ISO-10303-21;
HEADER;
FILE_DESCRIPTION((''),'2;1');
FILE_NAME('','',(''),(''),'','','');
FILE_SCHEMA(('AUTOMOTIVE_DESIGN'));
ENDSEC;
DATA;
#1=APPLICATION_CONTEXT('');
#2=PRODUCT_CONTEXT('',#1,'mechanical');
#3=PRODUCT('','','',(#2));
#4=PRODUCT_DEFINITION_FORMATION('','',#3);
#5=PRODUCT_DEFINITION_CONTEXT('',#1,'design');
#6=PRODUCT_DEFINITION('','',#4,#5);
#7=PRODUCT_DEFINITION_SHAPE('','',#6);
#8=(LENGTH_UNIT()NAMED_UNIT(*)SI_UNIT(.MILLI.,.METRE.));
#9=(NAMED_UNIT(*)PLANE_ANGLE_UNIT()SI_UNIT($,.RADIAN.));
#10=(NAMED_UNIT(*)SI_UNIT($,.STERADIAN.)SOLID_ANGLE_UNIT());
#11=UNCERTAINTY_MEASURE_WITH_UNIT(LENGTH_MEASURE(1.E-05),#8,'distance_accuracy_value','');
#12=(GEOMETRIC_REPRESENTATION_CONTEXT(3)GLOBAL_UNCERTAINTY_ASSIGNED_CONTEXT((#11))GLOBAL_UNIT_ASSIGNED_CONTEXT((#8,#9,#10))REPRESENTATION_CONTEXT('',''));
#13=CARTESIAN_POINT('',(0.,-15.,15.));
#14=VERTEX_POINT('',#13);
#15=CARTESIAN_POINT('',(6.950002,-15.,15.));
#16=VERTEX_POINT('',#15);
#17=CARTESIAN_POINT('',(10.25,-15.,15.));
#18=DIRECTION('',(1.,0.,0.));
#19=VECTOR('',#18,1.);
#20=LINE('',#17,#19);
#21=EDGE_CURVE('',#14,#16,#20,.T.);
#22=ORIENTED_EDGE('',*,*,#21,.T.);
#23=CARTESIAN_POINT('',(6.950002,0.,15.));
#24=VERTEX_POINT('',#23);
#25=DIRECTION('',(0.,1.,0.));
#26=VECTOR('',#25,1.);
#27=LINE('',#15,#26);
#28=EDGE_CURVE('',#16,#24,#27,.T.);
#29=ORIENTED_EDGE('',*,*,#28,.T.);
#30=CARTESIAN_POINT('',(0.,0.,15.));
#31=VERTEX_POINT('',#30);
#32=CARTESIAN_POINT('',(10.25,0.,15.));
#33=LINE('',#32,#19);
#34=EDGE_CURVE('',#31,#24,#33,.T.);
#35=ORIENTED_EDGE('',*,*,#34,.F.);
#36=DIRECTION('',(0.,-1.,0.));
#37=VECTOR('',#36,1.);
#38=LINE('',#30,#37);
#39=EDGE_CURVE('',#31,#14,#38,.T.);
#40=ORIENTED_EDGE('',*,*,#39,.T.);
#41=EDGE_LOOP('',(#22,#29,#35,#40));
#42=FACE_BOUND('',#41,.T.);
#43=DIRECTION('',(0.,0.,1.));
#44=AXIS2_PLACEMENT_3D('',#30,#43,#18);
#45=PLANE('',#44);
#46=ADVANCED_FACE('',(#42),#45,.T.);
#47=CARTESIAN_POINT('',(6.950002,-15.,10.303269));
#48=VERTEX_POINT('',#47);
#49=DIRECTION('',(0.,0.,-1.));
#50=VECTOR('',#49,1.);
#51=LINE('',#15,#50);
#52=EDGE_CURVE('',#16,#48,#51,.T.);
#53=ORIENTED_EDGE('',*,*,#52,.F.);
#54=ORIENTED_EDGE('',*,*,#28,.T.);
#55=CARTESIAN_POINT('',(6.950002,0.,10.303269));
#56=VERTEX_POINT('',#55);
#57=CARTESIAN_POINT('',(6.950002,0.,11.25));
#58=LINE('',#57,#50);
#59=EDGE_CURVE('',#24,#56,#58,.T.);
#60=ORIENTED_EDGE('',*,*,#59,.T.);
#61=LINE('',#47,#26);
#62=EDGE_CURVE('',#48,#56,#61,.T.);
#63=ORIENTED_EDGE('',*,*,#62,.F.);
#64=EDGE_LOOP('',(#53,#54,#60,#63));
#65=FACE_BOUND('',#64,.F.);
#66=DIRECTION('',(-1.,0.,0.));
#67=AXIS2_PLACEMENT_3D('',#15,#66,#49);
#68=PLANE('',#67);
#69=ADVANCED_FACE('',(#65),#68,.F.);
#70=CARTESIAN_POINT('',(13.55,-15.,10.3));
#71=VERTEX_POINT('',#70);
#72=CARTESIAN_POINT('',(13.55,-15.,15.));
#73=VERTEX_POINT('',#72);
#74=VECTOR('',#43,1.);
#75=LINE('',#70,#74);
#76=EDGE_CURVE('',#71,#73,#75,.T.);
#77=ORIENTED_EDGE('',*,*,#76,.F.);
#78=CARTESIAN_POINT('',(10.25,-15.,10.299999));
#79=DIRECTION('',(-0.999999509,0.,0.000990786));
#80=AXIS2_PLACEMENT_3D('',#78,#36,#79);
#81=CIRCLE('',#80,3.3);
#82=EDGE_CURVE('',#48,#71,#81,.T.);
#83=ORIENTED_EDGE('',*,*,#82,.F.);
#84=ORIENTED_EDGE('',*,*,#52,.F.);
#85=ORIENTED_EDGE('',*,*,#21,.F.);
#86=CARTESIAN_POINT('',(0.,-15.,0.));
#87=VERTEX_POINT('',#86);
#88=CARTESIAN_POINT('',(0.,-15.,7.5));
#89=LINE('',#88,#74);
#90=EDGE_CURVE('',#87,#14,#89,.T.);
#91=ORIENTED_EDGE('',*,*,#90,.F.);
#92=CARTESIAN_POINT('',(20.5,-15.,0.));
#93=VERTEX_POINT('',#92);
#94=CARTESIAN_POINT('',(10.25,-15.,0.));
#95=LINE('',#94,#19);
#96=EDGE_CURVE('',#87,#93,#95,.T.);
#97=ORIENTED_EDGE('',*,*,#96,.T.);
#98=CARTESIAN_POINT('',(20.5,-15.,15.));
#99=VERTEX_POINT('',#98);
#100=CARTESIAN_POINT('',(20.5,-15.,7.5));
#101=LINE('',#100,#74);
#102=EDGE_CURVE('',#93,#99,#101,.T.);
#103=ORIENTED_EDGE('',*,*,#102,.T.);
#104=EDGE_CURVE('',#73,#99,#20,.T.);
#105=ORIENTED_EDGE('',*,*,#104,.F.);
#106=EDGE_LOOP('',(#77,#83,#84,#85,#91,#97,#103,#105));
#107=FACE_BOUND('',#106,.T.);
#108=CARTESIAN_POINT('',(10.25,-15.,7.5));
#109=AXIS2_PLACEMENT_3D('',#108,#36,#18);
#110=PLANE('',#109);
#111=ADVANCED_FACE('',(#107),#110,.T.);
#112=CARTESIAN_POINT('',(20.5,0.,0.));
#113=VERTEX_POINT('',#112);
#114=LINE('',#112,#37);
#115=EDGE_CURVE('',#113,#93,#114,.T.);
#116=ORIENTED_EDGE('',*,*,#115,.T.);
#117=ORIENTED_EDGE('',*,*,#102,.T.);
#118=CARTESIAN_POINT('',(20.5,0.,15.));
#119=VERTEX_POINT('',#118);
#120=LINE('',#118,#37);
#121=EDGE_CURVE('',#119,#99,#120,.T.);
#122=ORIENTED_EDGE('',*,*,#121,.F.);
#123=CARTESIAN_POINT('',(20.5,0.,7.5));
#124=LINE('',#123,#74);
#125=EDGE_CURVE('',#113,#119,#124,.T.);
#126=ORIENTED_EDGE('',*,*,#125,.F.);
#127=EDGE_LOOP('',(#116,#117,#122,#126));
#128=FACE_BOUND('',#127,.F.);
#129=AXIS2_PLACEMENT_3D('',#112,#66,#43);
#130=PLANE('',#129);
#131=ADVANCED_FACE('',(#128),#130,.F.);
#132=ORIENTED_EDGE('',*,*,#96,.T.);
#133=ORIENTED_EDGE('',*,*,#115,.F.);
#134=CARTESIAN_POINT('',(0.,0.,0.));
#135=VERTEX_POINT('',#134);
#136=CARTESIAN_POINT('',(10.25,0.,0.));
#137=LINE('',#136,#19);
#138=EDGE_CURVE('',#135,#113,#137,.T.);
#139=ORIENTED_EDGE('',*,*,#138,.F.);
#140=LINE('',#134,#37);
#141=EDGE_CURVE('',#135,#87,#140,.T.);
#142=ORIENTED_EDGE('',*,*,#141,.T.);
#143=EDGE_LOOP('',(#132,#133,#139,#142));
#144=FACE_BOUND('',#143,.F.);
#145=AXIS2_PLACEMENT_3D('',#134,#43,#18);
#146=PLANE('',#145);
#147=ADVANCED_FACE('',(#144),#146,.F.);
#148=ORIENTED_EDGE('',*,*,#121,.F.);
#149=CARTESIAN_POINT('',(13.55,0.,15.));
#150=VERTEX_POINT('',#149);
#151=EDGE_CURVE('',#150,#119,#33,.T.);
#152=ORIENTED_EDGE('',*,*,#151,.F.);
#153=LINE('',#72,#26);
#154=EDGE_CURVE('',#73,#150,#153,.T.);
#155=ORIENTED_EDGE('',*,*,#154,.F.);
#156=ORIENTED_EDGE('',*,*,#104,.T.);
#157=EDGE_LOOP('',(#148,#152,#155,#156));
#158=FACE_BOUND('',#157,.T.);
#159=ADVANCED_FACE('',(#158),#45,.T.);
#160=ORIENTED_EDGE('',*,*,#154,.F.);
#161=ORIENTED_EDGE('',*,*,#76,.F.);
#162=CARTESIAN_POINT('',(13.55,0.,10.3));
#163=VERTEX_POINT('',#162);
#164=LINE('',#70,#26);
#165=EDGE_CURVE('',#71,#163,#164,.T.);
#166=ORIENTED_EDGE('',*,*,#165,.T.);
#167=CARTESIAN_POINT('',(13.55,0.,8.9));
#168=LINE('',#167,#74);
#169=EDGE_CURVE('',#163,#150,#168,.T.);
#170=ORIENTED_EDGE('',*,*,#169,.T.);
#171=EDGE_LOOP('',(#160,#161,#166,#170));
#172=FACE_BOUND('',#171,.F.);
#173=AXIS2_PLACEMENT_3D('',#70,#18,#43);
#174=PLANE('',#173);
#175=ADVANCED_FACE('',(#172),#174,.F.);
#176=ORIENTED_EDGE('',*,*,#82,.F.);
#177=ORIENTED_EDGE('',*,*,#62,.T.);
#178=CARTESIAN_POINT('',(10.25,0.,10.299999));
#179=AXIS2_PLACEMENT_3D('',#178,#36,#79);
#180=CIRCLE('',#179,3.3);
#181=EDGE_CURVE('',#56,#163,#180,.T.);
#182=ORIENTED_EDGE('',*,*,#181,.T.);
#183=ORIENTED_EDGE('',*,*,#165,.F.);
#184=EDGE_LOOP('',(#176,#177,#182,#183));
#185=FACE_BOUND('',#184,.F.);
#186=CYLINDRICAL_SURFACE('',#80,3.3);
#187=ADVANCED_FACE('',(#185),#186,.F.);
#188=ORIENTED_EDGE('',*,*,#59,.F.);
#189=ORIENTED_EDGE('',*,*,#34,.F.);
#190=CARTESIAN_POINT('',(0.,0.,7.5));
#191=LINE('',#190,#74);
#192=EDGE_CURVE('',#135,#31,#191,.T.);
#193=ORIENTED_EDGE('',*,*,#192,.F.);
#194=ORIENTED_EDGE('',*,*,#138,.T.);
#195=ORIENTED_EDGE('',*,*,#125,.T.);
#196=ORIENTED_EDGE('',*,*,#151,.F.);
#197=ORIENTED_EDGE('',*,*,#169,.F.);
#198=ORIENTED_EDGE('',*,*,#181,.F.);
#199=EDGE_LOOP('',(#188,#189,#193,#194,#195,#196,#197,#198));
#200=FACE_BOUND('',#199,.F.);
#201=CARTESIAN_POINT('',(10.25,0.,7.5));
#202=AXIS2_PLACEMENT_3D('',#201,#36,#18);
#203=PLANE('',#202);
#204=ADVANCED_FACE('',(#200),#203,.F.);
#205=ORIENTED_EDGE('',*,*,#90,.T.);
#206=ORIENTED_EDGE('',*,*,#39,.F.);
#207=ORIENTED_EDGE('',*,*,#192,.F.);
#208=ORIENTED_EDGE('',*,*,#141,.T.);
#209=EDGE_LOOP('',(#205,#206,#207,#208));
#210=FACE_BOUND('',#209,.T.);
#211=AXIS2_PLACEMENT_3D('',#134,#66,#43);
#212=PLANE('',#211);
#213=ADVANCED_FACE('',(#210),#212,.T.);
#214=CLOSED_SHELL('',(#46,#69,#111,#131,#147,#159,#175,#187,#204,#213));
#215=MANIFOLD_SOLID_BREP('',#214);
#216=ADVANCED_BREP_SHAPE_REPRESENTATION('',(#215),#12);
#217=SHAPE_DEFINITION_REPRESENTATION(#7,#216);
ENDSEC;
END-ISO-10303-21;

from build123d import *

# Parameters (mm, degrees)
F0_W     = 20.5
F0_H     = 15
F1_DEPTH = 15
F3_DEPTH = 15.001


with BuildPart() as f1:
    # F0 (on Front) → F1 (new body)
    with BuildSketch(Plane.XZ):
        with Locations((10.25, 7.5)):
            Rectangle(F0_W, F0_H)
    extrude(amount=F1_DEPTH)

    # F2 (on face) → F3 (cut, through all)
    with BuildSketch(Plane.XZ.offset(15)):
        with BuildLine():
            ThreePointArc((6.950002, 10.303269), (10.248365, 7), (13.55, 10.3))
            ThreePointArc((13.55, 10.3), (10.251635, 13.6), (6.950002, 10.303269))
        make_face()
        with BuildLine():
            ThreePointArc((6.950002, 10.303269), (10.251635, 13.6), (13.55, 10.3))
            Line((13.55, 10.3), (13.55, 15))
            Line((13.55, 15), (6.950002, 15))
            Line((6.950002, 15), (6.950002, 10.303269))
        make_face()
    extrude(amount=-F3_DEPTH, mode=Mode.SUBTRACT)


solid = f1.part
